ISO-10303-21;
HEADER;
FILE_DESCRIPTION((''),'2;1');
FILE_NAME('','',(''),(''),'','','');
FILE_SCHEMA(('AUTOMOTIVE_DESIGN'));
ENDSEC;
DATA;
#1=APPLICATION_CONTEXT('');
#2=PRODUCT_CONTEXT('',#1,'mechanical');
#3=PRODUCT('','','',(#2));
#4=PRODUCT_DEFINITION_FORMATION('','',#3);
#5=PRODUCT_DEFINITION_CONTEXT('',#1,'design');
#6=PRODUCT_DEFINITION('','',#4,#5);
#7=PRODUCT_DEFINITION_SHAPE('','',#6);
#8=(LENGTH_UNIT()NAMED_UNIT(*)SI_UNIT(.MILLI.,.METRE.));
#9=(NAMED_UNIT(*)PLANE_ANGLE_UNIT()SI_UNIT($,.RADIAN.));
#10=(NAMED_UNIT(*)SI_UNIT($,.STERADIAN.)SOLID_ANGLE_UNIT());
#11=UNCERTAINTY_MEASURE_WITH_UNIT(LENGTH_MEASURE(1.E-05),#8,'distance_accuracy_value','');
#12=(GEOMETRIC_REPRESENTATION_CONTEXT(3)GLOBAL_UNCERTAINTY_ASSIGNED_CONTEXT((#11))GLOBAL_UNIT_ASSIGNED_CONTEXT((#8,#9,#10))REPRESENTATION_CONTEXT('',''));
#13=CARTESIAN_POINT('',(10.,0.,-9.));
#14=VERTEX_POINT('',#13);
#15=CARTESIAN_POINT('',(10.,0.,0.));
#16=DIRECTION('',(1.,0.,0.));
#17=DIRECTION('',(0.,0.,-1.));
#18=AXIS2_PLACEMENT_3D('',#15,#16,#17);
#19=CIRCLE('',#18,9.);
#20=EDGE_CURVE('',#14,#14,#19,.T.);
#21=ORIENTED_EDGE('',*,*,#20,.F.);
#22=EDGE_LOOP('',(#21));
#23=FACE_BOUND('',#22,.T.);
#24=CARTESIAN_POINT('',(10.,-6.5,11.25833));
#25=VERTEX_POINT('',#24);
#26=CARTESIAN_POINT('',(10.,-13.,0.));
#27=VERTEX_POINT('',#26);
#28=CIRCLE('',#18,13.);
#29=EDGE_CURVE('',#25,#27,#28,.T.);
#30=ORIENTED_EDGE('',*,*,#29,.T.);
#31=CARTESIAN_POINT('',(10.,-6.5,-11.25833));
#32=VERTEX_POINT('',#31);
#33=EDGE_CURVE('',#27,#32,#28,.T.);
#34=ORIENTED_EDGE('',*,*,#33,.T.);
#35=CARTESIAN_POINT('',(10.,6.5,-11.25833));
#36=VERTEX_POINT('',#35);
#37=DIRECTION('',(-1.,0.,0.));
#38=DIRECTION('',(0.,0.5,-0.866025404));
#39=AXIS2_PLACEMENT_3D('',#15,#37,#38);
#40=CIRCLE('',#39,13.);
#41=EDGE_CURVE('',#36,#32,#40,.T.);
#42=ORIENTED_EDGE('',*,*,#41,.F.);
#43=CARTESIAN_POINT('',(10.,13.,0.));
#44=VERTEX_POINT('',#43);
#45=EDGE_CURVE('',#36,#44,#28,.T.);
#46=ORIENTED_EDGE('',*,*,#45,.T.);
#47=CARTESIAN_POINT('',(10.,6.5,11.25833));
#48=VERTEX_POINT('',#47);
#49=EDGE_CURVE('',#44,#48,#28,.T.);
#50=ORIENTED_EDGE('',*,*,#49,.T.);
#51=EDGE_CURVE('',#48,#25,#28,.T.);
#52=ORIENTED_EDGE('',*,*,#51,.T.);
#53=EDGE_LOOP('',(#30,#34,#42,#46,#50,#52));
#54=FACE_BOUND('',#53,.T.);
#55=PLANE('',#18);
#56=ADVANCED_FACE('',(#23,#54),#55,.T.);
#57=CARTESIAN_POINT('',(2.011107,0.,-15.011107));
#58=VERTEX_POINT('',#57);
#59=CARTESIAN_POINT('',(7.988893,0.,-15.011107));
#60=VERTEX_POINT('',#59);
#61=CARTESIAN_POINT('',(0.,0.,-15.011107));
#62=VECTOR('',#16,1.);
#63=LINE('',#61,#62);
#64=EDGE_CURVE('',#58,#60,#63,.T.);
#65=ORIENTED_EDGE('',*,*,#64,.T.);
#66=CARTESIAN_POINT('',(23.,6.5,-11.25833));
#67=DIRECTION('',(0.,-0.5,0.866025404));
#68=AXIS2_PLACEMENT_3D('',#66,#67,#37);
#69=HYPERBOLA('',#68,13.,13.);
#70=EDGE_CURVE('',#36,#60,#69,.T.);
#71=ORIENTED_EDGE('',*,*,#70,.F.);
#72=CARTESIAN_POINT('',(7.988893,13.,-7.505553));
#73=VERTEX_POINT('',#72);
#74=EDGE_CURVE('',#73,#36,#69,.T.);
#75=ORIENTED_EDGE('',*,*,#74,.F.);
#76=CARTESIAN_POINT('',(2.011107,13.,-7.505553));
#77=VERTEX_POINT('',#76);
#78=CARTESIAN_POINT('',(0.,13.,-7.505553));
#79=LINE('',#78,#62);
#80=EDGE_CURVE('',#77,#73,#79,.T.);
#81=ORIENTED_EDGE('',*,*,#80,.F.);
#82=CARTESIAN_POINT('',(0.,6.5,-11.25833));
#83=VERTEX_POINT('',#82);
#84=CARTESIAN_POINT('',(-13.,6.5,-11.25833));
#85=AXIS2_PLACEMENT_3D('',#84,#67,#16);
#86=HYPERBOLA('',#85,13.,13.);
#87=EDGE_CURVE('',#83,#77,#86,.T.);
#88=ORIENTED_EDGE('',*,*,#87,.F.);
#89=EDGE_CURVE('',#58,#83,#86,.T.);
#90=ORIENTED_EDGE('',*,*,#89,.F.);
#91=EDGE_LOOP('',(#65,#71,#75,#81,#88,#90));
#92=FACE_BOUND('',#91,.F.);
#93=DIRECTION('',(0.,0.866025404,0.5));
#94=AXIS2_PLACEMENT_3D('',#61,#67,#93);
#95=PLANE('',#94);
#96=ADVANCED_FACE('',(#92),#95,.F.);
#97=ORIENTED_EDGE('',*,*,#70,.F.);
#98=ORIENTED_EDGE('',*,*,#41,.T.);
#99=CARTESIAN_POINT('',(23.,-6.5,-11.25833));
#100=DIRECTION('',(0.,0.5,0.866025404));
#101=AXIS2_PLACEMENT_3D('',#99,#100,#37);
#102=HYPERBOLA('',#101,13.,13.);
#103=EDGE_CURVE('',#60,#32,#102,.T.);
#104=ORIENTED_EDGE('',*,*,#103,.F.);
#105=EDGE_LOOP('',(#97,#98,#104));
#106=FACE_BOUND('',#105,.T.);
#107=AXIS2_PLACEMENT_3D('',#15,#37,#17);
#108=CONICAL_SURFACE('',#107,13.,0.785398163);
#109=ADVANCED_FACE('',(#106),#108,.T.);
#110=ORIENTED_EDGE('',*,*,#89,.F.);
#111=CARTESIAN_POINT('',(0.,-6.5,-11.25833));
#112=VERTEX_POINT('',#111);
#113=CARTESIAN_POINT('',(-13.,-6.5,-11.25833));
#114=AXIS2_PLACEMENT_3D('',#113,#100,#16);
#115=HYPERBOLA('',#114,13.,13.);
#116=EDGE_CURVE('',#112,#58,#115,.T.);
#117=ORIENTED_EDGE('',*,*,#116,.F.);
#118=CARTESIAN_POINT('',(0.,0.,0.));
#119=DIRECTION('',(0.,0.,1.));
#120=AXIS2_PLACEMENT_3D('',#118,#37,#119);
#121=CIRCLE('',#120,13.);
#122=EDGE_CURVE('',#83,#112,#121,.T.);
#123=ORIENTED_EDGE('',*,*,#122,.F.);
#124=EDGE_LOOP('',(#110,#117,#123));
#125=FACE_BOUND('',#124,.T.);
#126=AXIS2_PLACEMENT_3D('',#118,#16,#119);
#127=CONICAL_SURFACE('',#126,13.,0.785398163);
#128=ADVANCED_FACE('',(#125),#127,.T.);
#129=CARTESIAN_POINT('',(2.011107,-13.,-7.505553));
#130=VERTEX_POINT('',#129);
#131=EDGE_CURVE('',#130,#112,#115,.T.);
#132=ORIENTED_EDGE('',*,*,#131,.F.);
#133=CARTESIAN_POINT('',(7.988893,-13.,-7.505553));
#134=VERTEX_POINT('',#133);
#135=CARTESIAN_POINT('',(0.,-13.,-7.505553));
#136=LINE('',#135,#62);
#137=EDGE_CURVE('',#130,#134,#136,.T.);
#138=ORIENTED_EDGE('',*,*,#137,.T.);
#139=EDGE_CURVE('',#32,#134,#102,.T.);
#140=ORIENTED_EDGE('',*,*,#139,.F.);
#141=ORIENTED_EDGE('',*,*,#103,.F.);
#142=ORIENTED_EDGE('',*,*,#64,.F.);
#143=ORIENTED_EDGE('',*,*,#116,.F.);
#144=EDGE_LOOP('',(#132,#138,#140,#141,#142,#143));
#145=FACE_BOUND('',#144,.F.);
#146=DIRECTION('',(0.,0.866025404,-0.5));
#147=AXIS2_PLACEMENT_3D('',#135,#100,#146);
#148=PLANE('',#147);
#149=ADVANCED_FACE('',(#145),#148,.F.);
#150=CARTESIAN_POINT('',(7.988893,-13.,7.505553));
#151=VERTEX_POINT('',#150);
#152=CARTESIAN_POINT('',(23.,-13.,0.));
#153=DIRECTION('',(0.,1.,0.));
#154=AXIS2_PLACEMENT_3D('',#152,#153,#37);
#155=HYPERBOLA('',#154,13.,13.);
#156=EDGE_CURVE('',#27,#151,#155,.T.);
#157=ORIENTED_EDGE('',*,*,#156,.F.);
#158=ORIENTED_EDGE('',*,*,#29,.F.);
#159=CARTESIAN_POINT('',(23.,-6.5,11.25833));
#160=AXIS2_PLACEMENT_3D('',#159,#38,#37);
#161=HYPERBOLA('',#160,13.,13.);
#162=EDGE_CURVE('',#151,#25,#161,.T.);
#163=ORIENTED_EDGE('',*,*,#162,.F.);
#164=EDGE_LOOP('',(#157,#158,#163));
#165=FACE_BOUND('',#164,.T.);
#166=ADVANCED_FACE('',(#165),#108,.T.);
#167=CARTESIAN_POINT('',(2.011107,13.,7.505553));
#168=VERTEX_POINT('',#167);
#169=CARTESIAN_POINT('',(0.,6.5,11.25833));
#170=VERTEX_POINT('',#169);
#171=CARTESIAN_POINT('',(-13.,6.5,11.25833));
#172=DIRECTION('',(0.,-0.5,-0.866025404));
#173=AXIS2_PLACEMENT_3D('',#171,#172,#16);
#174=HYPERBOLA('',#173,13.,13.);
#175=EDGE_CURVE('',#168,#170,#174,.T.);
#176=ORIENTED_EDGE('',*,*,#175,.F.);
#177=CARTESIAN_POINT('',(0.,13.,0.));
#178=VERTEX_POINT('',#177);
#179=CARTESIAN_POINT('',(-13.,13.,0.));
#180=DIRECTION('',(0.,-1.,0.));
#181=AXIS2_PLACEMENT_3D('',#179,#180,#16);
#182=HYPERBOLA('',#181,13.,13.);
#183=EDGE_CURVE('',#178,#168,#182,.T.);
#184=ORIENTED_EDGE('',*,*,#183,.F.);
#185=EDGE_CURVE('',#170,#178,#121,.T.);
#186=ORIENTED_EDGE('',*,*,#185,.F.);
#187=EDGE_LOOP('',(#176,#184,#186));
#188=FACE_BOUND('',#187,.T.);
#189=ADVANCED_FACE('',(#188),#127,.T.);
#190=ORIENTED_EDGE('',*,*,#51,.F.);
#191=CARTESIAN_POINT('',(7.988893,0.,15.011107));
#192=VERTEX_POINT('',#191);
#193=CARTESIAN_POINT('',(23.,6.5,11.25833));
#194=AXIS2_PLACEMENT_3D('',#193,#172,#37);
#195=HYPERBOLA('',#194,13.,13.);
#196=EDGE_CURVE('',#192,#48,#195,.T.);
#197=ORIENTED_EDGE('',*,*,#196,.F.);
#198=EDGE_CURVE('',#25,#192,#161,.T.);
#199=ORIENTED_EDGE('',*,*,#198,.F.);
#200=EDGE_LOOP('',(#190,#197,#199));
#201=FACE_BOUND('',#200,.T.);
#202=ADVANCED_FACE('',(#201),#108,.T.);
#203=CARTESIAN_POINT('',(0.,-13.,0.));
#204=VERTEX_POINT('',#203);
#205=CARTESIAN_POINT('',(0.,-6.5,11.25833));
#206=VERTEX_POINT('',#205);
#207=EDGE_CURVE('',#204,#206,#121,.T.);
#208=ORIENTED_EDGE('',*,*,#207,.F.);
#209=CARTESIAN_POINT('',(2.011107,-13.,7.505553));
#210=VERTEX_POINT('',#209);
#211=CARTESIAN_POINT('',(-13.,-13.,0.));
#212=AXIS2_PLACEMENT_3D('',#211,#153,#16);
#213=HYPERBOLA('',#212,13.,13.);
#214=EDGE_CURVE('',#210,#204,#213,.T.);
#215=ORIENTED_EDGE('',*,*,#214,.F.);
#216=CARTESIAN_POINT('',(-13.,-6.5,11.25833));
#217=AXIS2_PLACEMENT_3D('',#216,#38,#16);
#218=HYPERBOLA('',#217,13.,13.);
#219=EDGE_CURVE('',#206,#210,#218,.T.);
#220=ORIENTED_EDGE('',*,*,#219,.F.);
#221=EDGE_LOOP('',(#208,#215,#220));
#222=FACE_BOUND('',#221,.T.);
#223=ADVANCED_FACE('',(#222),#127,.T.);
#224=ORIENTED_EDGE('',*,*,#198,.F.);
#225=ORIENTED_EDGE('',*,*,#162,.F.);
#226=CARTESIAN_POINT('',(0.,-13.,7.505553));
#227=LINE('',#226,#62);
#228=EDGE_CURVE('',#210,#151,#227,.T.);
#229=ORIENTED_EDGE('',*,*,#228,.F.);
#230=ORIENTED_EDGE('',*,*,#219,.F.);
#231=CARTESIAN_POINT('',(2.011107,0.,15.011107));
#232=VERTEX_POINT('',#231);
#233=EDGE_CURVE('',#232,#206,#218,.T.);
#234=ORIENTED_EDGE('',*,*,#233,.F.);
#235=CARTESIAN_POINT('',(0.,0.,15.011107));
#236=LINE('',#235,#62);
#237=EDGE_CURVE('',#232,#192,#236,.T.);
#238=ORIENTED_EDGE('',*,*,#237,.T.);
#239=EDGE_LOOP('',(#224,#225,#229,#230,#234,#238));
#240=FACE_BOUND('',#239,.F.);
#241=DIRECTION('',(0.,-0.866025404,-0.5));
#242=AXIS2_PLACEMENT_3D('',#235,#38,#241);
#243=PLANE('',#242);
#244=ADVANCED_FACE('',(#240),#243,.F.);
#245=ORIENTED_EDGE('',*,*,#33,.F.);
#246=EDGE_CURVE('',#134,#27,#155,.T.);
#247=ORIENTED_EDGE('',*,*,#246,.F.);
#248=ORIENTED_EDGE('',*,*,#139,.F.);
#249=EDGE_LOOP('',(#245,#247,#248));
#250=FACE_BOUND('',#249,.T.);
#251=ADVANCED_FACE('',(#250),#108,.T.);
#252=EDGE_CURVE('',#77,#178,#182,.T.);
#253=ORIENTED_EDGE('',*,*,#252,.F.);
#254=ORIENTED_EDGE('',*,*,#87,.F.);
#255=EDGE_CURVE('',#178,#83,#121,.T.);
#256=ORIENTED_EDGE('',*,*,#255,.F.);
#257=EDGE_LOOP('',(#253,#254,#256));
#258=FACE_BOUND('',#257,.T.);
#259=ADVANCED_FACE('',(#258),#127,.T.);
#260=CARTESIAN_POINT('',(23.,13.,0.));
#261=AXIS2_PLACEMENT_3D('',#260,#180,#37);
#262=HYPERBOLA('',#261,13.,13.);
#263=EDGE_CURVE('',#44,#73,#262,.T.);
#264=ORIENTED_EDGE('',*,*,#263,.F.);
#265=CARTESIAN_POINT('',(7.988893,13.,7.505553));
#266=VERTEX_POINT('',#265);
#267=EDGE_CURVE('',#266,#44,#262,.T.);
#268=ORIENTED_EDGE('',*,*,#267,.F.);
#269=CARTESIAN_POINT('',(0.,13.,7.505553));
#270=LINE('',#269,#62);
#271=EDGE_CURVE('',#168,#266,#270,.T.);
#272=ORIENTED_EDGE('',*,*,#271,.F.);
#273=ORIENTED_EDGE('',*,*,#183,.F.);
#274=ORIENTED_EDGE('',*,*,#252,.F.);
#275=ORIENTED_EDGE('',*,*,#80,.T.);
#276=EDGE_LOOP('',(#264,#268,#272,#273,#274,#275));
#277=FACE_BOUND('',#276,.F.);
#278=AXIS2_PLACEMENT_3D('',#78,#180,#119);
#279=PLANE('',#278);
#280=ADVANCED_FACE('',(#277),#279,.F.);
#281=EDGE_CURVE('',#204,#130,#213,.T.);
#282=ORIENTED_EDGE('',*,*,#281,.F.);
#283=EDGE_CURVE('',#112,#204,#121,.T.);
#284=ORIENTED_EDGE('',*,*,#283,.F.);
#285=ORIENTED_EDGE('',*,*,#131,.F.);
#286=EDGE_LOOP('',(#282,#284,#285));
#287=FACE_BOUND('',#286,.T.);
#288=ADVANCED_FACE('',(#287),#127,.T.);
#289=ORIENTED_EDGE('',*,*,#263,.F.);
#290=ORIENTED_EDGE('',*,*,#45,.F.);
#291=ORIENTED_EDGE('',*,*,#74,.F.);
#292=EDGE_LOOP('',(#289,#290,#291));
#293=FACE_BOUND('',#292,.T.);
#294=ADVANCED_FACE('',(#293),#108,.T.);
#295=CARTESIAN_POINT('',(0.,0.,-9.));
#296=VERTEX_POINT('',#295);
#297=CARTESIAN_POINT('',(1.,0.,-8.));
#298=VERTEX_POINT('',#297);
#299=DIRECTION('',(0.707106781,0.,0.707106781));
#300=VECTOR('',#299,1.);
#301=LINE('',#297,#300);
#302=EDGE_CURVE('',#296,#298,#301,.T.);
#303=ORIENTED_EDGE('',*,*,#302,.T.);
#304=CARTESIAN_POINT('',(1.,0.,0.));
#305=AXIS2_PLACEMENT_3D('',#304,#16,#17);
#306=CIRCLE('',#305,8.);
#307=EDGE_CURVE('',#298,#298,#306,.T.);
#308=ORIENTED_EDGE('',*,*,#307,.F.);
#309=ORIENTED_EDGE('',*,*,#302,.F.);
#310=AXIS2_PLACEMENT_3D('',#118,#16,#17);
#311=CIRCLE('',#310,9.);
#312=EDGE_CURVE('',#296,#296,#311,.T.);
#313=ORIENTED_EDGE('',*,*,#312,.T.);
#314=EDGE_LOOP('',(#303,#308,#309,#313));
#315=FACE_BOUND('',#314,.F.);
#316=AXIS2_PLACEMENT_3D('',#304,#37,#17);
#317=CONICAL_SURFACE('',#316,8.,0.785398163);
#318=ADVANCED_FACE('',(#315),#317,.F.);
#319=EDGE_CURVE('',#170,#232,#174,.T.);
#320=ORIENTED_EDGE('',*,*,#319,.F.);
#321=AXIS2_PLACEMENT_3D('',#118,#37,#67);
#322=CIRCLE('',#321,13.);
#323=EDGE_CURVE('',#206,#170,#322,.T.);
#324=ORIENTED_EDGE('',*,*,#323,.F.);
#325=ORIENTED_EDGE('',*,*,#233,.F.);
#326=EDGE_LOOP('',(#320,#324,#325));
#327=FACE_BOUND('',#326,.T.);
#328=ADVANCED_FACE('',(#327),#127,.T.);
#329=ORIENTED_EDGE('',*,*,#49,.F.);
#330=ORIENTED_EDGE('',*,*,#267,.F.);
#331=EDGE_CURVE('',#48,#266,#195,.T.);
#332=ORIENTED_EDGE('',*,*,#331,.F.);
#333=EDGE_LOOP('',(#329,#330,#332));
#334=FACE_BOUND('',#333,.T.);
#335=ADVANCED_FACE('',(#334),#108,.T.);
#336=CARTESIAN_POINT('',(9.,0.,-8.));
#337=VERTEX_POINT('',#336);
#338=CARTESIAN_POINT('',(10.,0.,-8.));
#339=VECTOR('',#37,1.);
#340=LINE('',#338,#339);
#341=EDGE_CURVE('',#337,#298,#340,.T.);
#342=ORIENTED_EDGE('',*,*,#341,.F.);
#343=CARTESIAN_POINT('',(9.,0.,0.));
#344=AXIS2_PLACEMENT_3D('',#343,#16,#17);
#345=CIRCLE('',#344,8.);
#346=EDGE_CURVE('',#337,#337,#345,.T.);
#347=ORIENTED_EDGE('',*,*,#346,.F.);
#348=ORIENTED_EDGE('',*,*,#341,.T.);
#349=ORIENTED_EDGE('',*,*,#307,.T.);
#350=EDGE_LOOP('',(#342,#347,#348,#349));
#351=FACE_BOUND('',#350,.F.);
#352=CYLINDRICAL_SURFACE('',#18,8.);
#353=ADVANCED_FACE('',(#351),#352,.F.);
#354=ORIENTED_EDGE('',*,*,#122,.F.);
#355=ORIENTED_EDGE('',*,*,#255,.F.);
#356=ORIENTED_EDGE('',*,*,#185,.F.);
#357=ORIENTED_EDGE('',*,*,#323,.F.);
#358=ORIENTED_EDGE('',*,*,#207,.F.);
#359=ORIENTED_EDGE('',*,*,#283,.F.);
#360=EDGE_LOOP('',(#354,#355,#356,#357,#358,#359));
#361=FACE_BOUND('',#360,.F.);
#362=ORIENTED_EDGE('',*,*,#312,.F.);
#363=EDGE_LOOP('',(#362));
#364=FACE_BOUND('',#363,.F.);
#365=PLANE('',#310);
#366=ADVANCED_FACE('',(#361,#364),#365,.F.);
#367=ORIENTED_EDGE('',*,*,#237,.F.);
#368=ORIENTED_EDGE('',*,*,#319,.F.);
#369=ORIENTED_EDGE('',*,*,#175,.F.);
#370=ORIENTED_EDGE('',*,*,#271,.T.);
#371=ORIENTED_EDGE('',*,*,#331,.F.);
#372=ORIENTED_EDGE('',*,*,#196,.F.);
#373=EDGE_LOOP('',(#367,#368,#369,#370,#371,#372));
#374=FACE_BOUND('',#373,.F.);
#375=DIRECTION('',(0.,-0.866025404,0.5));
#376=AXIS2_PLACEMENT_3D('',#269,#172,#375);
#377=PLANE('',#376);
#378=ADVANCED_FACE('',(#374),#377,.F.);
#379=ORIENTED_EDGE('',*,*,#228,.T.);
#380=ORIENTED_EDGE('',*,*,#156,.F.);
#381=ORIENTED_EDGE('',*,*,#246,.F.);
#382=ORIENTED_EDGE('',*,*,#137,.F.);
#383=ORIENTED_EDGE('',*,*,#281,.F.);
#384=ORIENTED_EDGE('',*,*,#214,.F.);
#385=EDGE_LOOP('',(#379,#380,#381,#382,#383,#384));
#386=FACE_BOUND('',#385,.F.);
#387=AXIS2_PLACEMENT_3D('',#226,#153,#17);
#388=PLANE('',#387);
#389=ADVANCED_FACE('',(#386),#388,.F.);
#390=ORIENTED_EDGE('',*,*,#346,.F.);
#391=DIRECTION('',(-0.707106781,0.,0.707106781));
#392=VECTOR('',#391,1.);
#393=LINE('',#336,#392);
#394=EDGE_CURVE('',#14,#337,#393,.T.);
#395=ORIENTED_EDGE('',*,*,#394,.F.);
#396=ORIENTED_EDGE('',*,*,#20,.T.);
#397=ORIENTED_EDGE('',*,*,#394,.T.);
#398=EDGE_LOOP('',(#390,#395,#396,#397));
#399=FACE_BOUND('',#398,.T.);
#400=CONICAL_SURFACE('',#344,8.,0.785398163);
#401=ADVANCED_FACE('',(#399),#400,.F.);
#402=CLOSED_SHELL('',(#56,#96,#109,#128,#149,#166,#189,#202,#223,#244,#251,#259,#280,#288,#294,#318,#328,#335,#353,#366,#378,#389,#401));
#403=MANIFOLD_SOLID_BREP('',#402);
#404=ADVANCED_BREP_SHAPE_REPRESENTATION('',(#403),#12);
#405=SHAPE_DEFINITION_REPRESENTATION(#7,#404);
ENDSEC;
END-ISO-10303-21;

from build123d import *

# Parameters (mm, degrees)
EXTRUDE_1_DEPTH     = 10
SKETCH_2_R          = 8
CUT_EXTRUDE_1_DEPTH = 20
CHAMFER_1_SIZE      = 1
SKETCH_3_OUTSIDE_W  = 130.214
SKETCH_3_OUTSIDE_H  = 126.192
SKETCH_3_OUTSIDE_R  = 13
CUT_EXTRUDE_2_DEPTH = 45
CUT_EXTRUDE_2_DRAFT = -45
SKETCH_4_OUTSIDE_W  = 130.214
SKETCH_4_OUTSIDE_H  = 126.192
SKETCH_4_OUTSIDE_R  = 13
CUT_EXTRUDE_3_DEPTH = 45
CUT_EXTRUDE_3_DRAFT = -45


with BuildPart() as part:
    # 草图1 → 凸台-拉伸1 (new body)
    with BuildSketch(Plane(origin=(0, 0, 0), x_dir=(0, 0, -1), z_dir=(1, 0, 0))):
        Polygon((-7.505553499, -13), (7.505553499, -13), (15.011106999, 0), (7.505553499, 13), (-7.505553499, 13), (-15.011106999, 0), align=None)
    extrude(amount=EXTRUDE_1_DEPTH)

    # 草图2 → 切除-拉伸1 (cut)
    with BuildSketch(Plane(origin=(10, 0, 0), x_dir=(0, 0, -1), z_dir=(1, 0, 0))):
        Circle(SKETCH_2_R)
    extrude(amount=-CUT_EXTRUDE_1_DEPTH, mode=Mode.SUBTRACT)

    # 倒角1
    chamfer_1_edges = [part.edges().sort_by_distance(p)[0] for p in [
        (0, 0, 8),
        (10, 0, 8),
    ]]
    chamfer(chamfer_1_edges, length=CHAMFER_1_SIZE)


with BuildPart() as cut_extrude_2_tool:
    # 草图3 outside → 切除-拉伸2 (with draft: the straight prism first)
    with BuildSketch(Plane(origin=(10, 0, 0), x_dir=(0, 0, -1), z_dir=(1, 0, 0))):
        Rectangle(SKETCH_3_OUTSIDE_W, SKETCH_3_OUTSIDE_H)
        Circle(SKETCH_3_OUTSIDE_R, mode=Mode.SUBTRACT)
    extrude(amount=-CUT_EXTRUDE_2_DEPTH)
    # 切除-拉伸2: the draft: its side faces are tilted about the plane it starts from
    cut_extrude_2_sides = [cut_extrude_2_tool.faces().sort_by_distance(p)[0] for p in [
        (-12.5, -63.096, 0),
        (-12.5, 0, -65.107),
        (-12.5, 63.096, 0),
        (-12.5, 0, 65.107),
        (-12.5, 0, 13),
    ]]
    draft(cut_extrude_2_sides, Plane(origin=(10, 0, 0), x_dir=(0, 0, -1), z_dir=(1, 0, 0)), CUT_EXTRUDE_2_DRAFT)


with BuildPart() as part_1:
    add(part.part)

    # 切除-拉伸2: cut by cut_extrude_2_tool
    add(cut_extrude_2_tool.part, mode=Mode.SUBTRACT)


with BuildPart() as cut_extrude_3_tool:
    # 草图4 outside → 切除-拉伸3 (with draft: the straight prism first)
    with BuildSketch(Plane.ZY):
        Rectangle(SKETCH_4_OUTSIDE_W, SKETCH_4_OUTSIDE_H)
        Circle(SKETCH_4_OUTSIDE_R, mode=Mode.SUBTRACT)
    extrude(amount=-CUT_EXTRUDE_3_DEPTH)
    # 切除-拉伸3: the draft: its side faces are tilted about the plane it starts from
    cut_extrude_3_sides = [cut_extrude_3_tool.faces().sort_by_distance(p)[0] for p in [
        (22.5, -63.096, 0),
        (22.5, 0, 65.107),
        (22.5, 63.096, 0),
        (22.5, 0, -65.107),
        (22.5, 0, -13),
    ]]
    draft(cut_extrude_3_sides, Plane.ZY, CUT_EXTRUDE_3_DRAFT)


with BuildPart() as part_2:
    add(part_1.part)

    # 切除-拉伸3: cut by cut_extrude_3_tool
    add(cut_extrude_3_tool.part, mode=Mode.SUBTRACT)


solid = part_2.part
